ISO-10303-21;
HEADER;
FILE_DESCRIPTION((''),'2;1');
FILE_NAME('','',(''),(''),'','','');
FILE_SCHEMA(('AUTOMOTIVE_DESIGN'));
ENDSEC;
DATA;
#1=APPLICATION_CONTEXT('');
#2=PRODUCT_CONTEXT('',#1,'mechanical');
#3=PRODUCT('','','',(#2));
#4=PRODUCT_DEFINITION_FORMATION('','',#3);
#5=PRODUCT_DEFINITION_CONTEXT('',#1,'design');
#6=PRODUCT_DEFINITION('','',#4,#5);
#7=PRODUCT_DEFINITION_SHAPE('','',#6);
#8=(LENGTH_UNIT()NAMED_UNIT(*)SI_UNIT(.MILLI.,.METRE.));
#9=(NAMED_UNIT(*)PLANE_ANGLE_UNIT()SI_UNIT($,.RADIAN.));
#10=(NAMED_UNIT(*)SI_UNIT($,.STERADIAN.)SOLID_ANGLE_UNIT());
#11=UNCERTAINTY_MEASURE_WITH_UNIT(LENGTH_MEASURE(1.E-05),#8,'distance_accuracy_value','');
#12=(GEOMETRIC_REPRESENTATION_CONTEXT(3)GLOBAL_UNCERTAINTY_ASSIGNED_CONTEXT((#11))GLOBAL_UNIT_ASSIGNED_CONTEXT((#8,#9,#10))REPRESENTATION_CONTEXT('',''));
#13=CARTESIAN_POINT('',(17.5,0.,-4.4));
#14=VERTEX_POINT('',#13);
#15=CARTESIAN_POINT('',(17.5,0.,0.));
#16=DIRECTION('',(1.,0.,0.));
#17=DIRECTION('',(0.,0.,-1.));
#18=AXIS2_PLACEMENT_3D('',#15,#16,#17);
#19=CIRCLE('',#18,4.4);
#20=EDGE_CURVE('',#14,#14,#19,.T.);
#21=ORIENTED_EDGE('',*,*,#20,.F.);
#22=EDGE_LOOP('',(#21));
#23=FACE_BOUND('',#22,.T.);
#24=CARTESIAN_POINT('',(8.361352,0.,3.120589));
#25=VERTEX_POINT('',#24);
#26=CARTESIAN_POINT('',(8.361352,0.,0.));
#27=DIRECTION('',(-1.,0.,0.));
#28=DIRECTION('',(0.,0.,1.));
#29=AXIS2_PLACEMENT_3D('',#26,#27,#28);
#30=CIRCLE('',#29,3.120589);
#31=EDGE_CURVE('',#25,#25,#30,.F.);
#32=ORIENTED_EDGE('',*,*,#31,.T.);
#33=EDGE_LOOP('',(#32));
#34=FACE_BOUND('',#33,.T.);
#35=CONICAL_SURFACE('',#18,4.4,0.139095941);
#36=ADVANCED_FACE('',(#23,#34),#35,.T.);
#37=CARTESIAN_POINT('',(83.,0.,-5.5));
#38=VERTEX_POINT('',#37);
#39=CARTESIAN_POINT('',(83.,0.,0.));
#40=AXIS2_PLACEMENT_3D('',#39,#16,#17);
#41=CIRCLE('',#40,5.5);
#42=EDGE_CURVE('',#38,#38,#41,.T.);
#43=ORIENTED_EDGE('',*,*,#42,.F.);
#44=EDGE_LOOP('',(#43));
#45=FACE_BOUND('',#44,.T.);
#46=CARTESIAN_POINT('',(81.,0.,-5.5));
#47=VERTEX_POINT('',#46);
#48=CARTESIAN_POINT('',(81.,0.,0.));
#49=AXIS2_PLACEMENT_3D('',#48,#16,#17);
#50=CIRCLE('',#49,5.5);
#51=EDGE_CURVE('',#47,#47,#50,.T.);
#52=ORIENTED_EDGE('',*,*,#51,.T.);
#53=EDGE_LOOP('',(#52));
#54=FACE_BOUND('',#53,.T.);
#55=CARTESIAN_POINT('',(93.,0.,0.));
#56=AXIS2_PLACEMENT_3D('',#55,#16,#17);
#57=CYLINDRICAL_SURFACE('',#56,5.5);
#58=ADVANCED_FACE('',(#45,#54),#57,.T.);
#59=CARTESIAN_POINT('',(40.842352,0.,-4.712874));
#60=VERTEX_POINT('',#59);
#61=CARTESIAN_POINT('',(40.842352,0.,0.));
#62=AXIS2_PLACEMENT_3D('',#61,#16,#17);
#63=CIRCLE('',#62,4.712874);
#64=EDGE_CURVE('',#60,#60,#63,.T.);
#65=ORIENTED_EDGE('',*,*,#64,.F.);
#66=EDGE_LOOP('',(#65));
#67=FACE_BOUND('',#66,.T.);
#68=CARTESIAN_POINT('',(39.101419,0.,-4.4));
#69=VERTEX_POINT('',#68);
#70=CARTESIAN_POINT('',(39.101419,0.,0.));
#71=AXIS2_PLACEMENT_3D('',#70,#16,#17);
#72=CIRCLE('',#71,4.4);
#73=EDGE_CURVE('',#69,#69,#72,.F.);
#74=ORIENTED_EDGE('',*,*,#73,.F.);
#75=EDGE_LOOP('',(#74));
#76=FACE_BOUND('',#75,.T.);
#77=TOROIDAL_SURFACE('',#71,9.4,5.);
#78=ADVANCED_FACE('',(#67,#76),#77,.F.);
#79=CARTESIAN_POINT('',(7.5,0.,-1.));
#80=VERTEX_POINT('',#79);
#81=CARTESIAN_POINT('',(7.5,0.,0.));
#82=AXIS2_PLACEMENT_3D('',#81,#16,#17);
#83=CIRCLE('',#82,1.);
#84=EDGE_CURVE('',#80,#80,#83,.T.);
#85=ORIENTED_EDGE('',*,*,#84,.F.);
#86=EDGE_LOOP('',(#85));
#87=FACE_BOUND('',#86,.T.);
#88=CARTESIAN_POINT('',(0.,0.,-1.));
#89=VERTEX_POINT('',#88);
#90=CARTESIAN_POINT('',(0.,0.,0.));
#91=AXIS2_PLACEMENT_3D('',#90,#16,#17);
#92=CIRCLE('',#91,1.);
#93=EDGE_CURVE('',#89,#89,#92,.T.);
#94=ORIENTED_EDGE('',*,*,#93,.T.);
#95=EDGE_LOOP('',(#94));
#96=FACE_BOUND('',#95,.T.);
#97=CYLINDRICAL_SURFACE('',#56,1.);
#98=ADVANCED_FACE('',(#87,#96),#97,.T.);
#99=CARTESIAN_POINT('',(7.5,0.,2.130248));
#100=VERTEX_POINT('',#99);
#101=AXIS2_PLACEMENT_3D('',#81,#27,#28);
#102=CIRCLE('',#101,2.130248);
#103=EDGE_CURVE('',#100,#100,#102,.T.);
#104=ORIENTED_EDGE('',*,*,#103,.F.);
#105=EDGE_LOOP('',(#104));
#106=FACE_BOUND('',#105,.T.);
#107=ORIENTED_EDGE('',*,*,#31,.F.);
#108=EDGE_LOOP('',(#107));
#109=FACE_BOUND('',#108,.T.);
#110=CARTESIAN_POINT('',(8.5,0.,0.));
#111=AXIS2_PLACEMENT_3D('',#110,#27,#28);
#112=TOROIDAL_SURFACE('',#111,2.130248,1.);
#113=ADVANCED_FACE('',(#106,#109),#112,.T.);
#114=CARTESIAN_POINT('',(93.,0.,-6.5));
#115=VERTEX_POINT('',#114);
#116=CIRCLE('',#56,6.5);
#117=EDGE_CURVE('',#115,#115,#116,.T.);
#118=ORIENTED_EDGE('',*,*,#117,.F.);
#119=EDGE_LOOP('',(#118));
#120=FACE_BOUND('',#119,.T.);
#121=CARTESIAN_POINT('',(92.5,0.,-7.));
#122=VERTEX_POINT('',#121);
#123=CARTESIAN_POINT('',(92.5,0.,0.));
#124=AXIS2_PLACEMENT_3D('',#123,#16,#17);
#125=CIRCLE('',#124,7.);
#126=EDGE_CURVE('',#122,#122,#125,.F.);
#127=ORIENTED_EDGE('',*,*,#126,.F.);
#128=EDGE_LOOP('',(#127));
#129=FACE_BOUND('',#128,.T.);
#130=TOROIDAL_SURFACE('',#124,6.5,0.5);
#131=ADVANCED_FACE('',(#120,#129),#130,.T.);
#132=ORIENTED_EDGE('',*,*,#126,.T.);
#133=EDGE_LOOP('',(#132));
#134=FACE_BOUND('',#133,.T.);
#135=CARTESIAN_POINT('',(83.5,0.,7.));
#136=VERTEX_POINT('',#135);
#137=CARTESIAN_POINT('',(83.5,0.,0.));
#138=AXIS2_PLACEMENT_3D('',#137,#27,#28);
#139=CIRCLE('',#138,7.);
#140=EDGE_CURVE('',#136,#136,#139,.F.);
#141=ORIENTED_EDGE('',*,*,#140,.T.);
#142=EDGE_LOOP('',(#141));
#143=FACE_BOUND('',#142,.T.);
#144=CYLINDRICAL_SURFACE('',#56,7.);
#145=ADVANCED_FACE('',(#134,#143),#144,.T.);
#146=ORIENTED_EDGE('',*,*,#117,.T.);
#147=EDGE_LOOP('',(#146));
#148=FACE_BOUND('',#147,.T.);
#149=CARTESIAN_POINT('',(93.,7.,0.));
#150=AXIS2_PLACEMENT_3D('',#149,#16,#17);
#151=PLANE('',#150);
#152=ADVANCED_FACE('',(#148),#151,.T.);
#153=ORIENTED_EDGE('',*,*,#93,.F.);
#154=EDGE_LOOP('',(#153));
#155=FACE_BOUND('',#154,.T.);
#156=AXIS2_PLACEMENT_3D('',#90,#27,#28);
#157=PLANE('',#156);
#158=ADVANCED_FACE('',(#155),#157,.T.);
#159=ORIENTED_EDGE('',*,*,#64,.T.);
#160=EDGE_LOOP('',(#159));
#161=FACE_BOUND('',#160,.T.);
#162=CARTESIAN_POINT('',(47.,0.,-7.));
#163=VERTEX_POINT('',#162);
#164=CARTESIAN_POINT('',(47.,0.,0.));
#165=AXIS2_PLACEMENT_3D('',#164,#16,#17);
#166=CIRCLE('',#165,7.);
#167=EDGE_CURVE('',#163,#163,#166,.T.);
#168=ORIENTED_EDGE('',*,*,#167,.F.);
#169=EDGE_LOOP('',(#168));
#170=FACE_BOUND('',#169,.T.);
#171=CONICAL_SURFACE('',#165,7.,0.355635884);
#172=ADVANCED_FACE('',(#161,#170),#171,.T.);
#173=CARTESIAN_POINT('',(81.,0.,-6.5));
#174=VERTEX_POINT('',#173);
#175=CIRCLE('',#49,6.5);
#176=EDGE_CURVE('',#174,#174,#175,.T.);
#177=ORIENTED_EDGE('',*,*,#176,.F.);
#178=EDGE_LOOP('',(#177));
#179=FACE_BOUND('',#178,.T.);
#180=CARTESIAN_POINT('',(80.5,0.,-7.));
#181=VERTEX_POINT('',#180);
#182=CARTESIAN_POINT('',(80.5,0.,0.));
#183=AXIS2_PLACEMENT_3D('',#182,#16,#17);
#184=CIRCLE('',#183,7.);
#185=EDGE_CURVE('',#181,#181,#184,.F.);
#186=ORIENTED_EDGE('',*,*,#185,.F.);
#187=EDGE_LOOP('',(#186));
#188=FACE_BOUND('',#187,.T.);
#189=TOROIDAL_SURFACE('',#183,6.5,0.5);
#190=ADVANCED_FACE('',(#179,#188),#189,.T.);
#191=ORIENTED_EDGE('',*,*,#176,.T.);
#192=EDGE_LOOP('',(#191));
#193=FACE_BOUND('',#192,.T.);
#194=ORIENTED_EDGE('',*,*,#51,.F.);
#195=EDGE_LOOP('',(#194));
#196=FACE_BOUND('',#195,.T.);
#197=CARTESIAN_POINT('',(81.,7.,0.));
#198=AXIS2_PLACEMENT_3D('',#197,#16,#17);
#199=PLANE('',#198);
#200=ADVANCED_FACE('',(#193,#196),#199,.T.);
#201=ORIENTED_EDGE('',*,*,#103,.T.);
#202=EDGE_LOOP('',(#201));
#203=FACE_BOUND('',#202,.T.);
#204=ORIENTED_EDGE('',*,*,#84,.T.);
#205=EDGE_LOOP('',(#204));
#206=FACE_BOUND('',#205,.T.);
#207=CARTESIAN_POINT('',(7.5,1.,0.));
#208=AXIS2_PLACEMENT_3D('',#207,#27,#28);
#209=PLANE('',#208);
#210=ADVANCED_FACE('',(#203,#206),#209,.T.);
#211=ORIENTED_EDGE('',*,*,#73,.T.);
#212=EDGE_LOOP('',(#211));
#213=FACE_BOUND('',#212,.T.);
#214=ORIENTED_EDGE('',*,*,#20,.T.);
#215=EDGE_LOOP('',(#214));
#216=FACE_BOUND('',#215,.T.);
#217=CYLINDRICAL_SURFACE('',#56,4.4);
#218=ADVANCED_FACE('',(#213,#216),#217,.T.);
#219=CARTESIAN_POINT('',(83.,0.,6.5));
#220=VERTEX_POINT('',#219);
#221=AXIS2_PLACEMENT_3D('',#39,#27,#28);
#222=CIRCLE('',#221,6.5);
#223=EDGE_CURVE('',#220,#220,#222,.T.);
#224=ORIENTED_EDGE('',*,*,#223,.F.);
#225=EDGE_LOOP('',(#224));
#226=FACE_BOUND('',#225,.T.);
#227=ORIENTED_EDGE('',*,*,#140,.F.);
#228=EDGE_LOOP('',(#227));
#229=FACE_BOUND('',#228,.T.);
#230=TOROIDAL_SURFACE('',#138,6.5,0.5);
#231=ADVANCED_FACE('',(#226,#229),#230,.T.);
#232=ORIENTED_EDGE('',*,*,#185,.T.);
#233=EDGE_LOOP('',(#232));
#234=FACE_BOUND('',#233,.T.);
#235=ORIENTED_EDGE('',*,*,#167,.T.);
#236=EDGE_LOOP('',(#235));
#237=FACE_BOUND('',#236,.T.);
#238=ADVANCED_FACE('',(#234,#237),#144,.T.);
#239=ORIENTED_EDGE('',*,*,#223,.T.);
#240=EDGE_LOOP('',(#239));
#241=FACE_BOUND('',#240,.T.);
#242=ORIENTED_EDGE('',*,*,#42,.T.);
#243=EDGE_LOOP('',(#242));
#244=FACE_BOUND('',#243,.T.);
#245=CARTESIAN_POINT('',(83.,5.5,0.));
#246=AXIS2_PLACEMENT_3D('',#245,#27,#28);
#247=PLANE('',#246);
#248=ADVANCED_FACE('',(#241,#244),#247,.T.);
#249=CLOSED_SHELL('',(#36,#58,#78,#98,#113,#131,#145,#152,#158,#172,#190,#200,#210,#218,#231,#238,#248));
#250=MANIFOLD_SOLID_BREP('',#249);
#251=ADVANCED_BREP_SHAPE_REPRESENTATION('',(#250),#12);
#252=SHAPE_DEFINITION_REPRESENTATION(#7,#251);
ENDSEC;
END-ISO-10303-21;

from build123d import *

# Parameters (mm, degrees)
FILETE1_R = 5
FILETE3_R = 1
FILETE4_R = 0.5


with BuildPart() as part:
    # Esboço1 → Revolução1 (revolve)
    with BuildSketch(Plane.XY, mode=Mode.PRIVATE) as revolu_o1_sk:
        Polygon((0, 0), (0, 1), (7.5, 1), (7.5, 3), (17.5, 4.4), (40, 4.4), (47, 7), (81, 7), (81, 5.5), (83, 5.5), (83, 7), (93, 7), (93, 0), align=None)
    revolve(revolu_o1_sk.sketch.rotate(Axis((93, 0, 0), (-1, 0, 0)), 90), axis=Axis((93, 0, 0), (-1, 0, 0)))

    # Filete1
    filete1_edges = [part.edges().sort_by_distance(p)[0] for p in [
        (40, 0, 4.4),
    ]]
    fillet(filete1_edges, radius=FILETE1_R)

    # Filete3
    filete3_edges = [part.edges().sort_by_distance(p)[0] for p in [
        (7.5, 0, 3),
    ]]
    fillet(filete3_edges, radius=FILETE3_R)

    # Filete4
    filete4_edges = [part.edges().sort_by_distance(p)[0] for p in [
        (81, 0, 7),
        (93, 0, 7),
        (83, 0, 7),
    ]]
    fillet(filete4_edges, radius=FILETE4_R)


solid = part.part
